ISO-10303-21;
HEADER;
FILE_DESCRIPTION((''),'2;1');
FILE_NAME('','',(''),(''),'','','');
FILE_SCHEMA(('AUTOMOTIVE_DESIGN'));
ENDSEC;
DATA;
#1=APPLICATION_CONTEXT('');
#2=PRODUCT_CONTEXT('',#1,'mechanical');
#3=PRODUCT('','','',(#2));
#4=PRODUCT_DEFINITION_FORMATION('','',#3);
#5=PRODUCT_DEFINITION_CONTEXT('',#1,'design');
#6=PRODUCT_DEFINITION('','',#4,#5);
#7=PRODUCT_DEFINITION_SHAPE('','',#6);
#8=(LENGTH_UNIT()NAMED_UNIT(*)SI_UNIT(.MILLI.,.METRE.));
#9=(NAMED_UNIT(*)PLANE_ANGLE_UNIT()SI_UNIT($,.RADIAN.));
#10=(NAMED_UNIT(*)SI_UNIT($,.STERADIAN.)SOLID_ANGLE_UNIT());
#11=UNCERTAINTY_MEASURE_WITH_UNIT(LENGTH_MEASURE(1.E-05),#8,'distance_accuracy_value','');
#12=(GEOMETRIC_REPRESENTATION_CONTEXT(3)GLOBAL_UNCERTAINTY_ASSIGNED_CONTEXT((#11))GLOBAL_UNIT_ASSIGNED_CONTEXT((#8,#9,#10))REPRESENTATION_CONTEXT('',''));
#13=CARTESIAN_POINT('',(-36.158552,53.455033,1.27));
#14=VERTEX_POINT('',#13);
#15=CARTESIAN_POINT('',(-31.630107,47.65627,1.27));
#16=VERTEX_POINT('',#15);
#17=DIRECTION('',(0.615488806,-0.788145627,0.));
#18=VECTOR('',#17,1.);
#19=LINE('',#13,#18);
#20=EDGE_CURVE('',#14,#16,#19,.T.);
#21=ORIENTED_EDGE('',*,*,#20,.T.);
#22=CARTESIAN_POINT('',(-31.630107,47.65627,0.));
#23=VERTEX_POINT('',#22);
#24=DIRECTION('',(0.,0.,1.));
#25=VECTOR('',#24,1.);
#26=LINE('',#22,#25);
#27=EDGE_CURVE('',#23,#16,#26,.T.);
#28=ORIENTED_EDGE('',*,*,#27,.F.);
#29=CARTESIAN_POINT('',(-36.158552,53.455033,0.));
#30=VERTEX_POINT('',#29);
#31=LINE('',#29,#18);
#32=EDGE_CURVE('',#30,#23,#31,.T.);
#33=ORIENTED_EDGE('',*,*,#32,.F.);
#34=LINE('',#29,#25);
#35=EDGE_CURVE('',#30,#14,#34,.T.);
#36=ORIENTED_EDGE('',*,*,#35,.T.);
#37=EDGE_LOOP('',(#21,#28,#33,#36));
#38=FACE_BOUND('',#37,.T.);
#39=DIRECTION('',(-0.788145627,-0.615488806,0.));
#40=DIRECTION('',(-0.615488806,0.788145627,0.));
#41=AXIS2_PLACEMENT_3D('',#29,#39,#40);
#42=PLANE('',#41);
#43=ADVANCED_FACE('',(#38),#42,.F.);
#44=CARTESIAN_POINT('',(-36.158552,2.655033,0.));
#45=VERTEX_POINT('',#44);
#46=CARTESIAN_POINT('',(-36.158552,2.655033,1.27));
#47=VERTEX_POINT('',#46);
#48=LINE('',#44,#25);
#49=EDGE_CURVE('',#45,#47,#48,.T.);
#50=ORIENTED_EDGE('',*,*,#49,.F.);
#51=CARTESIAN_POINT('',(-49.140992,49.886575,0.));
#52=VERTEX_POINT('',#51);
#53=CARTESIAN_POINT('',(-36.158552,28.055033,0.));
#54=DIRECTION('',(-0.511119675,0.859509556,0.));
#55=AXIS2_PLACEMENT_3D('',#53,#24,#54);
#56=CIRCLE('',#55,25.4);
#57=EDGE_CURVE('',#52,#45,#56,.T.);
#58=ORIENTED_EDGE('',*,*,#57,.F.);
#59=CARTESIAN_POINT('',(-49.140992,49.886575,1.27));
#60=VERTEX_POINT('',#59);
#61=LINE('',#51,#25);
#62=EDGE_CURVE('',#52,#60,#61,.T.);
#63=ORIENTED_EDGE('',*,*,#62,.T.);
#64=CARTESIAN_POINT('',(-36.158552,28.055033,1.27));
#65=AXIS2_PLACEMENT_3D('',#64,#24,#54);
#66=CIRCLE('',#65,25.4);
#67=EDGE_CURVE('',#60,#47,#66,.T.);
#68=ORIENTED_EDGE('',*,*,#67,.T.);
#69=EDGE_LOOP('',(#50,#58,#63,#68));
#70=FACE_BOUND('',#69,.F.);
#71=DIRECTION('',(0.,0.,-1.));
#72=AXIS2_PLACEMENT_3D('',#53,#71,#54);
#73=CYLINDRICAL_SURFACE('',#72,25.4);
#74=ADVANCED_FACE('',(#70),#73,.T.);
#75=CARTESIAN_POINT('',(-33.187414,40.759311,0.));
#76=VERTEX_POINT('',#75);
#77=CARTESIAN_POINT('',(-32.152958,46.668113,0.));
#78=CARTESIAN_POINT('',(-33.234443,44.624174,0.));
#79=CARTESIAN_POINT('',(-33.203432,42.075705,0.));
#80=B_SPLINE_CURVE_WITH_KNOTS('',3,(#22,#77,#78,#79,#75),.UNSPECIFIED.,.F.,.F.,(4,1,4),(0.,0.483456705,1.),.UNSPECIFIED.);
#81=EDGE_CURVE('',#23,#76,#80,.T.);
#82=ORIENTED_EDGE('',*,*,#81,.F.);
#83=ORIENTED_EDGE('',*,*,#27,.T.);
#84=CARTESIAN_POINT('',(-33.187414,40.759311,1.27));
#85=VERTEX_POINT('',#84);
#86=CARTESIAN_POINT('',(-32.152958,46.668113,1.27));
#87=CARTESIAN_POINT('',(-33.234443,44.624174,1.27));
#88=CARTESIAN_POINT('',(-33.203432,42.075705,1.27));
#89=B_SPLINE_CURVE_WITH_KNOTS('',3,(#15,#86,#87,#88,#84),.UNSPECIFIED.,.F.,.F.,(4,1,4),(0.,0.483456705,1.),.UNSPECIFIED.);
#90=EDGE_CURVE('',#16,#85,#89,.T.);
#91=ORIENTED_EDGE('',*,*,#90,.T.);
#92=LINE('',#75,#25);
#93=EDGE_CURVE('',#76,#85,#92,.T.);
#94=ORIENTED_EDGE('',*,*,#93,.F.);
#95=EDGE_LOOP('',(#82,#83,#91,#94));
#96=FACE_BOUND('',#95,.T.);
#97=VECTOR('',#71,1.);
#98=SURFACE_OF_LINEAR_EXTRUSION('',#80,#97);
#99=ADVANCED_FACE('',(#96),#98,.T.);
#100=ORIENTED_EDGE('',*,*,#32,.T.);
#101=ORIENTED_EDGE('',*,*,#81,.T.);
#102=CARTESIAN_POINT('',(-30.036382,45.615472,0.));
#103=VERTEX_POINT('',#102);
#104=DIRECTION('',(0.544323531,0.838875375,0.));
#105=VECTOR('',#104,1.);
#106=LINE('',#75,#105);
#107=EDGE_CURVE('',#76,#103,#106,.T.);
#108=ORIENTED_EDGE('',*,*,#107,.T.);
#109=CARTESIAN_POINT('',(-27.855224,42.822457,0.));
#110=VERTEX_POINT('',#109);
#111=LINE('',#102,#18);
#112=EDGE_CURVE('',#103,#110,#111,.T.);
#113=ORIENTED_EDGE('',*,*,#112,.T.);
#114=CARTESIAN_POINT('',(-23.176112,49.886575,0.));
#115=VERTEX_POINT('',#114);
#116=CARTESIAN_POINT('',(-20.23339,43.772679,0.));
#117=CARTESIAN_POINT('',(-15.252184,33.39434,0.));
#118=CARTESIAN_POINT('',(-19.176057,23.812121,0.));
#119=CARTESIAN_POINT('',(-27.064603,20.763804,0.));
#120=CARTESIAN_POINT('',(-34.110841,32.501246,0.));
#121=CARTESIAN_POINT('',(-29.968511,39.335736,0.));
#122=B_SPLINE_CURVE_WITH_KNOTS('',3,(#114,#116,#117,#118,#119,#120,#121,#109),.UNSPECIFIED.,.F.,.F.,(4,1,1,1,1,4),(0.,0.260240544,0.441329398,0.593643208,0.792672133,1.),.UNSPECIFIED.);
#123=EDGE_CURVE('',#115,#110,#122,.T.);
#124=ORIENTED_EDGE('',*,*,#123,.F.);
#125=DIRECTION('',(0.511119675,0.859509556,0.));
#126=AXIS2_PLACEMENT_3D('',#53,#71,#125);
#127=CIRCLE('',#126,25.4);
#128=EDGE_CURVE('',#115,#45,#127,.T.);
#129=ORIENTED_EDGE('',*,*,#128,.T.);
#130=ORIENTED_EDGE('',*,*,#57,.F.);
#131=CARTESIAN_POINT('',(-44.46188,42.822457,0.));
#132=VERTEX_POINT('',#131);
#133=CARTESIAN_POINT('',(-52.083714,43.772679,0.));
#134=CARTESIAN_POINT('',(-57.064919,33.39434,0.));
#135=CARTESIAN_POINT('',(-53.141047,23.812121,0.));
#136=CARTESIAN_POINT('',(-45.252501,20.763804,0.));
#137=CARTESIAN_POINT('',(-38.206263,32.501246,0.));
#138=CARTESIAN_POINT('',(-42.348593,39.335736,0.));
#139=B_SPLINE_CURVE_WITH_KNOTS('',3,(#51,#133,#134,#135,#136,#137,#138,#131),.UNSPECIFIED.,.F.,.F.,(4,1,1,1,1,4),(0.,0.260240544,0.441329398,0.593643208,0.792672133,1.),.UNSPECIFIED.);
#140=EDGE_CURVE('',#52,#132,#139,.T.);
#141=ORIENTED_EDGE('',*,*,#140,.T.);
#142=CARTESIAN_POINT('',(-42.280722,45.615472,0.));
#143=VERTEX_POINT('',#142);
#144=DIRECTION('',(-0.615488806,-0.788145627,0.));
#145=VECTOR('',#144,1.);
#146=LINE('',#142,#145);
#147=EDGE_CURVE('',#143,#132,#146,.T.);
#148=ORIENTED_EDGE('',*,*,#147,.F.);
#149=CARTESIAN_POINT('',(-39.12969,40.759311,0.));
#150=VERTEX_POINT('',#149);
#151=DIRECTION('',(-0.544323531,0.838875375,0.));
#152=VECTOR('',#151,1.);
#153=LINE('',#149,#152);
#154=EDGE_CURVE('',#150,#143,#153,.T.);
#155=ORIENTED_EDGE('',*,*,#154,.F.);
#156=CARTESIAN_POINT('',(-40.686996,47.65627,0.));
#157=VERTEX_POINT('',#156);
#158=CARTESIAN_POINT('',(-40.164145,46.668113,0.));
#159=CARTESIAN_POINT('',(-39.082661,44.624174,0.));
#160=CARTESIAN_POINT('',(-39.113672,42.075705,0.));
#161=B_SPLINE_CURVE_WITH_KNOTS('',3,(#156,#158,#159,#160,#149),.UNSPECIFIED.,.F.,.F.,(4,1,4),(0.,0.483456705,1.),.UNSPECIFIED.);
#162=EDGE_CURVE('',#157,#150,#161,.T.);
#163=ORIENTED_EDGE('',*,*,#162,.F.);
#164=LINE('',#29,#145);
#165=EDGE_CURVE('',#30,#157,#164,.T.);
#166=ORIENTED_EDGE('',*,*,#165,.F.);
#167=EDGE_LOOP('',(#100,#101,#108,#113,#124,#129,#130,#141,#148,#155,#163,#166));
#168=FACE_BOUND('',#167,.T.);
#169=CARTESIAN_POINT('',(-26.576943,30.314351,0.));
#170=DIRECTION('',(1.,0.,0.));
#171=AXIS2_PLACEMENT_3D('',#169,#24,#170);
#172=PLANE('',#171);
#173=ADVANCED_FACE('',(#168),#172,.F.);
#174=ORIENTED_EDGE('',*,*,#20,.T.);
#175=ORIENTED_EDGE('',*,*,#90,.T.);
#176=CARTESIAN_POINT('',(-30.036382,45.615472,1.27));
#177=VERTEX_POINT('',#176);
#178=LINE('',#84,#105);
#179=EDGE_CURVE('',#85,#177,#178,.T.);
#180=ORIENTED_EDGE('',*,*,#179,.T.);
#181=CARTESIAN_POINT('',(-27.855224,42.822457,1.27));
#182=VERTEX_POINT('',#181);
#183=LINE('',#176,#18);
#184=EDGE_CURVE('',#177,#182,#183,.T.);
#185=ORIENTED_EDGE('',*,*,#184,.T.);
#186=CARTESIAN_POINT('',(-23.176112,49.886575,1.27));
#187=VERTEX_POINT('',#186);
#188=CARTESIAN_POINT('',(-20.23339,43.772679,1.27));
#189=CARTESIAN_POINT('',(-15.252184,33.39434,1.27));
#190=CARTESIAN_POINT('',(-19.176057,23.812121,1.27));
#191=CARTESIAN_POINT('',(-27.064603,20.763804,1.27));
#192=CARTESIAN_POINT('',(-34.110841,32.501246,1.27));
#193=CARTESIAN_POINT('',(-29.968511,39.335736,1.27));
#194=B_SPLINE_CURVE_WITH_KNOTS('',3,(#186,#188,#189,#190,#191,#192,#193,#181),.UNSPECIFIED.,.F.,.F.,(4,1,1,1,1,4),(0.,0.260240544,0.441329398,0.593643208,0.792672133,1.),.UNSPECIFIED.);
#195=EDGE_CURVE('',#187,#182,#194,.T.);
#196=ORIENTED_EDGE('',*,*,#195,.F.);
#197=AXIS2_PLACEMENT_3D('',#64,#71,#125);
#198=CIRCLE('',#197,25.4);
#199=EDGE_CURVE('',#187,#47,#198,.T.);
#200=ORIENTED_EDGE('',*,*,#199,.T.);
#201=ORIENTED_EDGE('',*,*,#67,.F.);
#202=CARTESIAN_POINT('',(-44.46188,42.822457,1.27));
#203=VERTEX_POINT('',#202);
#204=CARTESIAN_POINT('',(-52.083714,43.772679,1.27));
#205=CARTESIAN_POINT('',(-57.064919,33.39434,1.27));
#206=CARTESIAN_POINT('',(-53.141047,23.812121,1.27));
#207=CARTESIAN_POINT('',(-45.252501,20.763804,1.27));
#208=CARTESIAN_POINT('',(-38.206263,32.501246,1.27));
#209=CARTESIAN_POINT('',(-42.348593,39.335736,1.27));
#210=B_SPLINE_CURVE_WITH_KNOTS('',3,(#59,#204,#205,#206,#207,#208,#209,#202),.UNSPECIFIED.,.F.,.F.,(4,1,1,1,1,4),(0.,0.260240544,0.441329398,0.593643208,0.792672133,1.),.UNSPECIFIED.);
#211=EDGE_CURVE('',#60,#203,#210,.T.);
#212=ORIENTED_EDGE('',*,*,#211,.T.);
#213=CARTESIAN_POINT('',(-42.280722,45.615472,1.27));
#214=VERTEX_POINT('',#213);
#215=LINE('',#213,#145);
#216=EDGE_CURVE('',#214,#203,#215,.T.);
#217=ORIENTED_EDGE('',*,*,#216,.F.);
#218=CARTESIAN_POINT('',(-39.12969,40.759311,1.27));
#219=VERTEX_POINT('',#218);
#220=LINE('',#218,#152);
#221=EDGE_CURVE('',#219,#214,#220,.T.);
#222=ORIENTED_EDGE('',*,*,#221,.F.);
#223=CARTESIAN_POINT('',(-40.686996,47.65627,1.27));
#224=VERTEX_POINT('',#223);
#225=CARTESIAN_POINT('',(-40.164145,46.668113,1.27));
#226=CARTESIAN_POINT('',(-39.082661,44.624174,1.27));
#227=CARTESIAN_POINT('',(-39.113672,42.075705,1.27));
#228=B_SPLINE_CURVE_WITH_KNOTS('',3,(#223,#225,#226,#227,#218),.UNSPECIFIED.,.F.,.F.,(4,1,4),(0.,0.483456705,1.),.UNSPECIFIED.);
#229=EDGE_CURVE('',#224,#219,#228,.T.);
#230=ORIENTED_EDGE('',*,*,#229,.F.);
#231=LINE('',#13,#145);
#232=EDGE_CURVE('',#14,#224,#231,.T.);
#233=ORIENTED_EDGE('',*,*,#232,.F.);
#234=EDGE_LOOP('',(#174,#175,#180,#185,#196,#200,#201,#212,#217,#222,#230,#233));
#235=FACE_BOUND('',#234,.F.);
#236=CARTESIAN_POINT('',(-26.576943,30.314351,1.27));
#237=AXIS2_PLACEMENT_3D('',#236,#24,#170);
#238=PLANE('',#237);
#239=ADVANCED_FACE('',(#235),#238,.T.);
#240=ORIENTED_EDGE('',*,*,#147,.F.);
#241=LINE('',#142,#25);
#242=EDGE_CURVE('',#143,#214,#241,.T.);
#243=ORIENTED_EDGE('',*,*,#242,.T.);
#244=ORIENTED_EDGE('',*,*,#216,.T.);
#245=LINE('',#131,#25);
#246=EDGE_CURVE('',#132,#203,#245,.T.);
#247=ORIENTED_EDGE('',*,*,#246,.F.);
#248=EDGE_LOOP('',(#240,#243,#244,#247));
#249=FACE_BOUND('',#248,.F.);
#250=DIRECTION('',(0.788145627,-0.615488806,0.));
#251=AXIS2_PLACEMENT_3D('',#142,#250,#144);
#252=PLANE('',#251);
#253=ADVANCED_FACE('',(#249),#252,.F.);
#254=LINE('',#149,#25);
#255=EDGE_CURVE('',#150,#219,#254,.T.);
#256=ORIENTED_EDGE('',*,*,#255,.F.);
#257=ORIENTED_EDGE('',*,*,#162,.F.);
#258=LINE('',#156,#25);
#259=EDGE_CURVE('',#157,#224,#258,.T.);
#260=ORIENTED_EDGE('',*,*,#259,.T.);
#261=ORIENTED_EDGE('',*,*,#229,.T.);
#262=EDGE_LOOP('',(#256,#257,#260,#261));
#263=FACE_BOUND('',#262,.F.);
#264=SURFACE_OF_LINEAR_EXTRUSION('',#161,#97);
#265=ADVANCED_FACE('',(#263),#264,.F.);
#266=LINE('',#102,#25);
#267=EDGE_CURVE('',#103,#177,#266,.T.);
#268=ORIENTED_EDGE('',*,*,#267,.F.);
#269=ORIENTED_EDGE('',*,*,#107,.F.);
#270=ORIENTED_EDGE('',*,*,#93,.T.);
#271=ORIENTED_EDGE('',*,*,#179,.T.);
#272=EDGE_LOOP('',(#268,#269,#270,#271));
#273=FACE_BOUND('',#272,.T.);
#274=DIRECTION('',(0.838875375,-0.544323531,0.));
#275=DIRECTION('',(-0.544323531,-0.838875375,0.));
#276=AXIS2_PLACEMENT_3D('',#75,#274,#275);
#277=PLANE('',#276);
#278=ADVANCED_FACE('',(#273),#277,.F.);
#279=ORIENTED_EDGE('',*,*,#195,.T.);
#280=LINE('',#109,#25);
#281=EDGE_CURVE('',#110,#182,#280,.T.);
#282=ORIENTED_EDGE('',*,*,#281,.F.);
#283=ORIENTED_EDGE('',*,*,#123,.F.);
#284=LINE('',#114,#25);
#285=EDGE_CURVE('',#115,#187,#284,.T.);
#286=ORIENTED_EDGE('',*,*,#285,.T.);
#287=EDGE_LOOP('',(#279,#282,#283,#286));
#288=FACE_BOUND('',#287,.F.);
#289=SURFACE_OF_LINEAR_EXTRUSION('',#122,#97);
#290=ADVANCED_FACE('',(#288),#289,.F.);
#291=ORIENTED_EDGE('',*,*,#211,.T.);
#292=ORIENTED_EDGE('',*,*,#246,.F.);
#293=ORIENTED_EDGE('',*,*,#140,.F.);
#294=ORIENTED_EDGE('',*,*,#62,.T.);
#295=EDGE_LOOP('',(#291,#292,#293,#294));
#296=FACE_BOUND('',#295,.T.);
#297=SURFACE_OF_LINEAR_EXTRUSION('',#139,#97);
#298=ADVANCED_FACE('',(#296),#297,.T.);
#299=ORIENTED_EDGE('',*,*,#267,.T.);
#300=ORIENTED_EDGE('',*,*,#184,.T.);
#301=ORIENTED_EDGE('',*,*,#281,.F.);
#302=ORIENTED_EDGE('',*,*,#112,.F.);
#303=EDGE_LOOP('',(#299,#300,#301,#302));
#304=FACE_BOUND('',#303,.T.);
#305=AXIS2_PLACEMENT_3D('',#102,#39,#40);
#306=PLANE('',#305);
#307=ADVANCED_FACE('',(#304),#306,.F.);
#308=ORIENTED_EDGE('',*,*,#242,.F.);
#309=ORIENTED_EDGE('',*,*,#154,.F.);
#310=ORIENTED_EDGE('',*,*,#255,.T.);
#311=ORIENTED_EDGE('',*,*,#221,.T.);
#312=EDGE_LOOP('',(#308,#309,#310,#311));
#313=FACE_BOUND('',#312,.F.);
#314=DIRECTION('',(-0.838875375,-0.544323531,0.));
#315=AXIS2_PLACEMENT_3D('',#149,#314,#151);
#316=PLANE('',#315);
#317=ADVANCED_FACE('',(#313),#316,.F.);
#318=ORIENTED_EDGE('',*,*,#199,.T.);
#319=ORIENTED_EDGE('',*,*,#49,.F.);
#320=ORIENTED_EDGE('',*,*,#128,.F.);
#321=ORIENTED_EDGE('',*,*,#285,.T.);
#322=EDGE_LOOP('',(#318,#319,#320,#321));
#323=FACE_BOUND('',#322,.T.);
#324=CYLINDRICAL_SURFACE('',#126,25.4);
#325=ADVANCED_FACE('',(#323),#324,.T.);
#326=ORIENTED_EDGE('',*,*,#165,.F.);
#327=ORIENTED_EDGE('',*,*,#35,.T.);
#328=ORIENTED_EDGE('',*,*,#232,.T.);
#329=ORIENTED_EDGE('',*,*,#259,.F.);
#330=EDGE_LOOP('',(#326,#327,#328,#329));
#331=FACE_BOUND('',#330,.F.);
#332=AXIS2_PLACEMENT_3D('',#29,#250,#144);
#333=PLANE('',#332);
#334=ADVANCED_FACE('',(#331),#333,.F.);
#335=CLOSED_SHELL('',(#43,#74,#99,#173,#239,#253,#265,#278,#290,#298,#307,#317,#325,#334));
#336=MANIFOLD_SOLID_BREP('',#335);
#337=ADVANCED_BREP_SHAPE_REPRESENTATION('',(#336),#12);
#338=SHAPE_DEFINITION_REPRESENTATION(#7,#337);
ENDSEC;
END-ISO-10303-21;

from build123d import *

# Parameters (mm, degrees)
F1_DEPTH = 1.27


with BuildPart() as f1:
    # F0 (on Top) → F1 (new body)
    with BuildSketch(Plane.XY):
        with BuildLine():
            Line((-36.158551915, 2.6550327152), (-36.158551915, 53.4550327152))
            Line((-36.158551915, 53.4550327152), (-40.6869963584, 47.6562697673))
            add(Edge.make_bspline(
                [(-40.6869963584, 47.6562697673), (-40.1641453897, 46.6681134022), (-39.0826608161, 44.6241736773), (-39.113671722, 42.0757050248), (-39.1296901975, 40.7593106305)],
                knots=[0, 0, 0, 0, 0.4834567052, 1, 1, 1, 1], degree=3))
            Line((-39.1296901975, 40.7593106305), (-42.2807221115, 45.6154723231))
            Line((-42.2807221115, 45.6154723231), (-44.4618798067, 42.8224566232))
            add(Edge.make_bspline(
                [(-49.1409916726, 49.8865754445), (-52.0837138627, 43.7726787535), (-57.0649194431, 33.3943397623), (-53.1410472762, 23.8121207167), (-45.2525005317, 20.7638043386), (-38.2062629669, 32.5012464085), (-42.3485932869, 39.3357360429), (-44.4618798067, 42.8224566232)],
                knots=[0, 0, 0, 0, 0.2602405438, 0.4413293981, 0.5936432083, 0.7926721325, 1, 1, 1, 1], degree=3))
            ThreePointArc((-49.1409916726, 49.8865754445), (-60.6501952381, 21.3230636617), (-36.158551915, 2.6550327152))
        make_face()
    extrude(amount=F1_DEPTH)

    # F2: F1 across face


with BuildPart() as f1_1:
    add(f1.part)
    add(f1.part.mirror(Plane(origin=(-36.158551915, 28.0550327152, 0.635), x_dir=(0, 1, 0), z_dir=(1, 0, 0))))


solid = f1_1.part
